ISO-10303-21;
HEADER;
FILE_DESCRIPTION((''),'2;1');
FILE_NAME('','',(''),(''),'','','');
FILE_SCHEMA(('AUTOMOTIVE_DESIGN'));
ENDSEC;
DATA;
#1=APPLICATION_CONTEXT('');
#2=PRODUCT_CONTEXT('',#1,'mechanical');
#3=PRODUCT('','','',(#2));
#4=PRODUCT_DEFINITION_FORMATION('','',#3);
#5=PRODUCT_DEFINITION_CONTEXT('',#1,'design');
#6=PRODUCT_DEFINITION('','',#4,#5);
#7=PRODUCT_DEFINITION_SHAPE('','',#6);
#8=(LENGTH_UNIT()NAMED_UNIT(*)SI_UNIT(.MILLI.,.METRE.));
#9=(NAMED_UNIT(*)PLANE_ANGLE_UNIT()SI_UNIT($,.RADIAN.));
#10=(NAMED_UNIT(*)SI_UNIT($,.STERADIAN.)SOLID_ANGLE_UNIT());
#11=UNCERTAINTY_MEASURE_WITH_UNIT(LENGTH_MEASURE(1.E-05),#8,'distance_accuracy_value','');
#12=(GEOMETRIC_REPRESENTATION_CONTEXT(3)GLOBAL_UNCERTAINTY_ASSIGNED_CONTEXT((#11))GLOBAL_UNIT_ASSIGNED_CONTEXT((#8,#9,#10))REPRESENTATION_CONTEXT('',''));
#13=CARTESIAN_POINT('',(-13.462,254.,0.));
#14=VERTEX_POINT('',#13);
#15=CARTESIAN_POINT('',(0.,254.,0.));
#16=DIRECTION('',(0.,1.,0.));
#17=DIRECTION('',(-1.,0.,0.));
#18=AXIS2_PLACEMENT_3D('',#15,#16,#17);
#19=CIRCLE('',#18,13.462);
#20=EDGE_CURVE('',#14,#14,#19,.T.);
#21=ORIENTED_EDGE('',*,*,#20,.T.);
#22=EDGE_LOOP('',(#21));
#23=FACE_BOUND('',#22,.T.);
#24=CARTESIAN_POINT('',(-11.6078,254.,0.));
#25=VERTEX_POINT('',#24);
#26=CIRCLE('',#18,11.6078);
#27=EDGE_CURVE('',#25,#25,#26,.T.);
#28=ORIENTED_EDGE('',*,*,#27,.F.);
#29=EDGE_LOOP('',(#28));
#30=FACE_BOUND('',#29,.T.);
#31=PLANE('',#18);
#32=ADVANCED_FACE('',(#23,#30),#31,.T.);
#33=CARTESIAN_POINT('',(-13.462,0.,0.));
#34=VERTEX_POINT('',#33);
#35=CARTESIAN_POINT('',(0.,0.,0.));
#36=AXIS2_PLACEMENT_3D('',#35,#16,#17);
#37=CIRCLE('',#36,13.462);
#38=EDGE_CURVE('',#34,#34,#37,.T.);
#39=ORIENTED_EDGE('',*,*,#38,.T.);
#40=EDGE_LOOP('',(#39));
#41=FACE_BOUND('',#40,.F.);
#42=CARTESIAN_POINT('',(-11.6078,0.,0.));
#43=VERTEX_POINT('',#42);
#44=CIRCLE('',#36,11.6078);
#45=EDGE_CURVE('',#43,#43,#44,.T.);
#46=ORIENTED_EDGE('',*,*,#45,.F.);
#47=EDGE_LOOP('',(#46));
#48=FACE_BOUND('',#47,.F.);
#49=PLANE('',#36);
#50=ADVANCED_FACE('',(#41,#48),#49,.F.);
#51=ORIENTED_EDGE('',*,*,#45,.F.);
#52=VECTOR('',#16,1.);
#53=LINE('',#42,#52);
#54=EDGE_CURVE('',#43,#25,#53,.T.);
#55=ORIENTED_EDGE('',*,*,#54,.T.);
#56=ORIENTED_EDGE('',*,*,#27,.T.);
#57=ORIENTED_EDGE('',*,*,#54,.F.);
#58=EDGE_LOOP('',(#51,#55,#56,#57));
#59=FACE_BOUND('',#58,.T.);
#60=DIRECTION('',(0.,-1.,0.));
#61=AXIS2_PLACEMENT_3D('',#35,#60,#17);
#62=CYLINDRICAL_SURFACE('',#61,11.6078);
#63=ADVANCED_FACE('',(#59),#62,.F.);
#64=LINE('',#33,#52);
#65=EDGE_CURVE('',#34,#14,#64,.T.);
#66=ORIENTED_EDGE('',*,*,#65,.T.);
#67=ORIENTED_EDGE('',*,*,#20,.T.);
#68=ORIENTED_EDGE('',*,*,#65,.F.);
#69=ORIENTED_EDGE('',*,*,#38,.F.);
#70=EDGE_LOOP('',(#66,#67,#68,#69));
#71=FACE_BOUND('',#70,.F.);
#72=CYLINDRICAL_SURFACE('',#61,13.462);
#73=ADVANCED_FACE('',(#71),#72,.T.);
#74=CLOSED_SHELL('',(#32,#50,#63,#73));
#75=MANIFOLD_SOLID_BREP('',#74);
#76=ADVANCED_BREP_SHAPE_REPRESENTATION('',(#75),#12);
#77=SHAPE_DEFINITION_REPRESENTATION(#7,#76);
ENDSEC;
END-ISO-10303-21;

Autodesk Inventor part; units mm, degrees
ref_plane "YZ Plane" through (0, 0, 0) normal (1, 0, 0) x (0, 1, 0)
ref_plane "XZ Plane" through (0, 0, 0) normal (0, 1, 0) x (-1, 0, 0)
ref_plane "XY Plane" through (0, 0, 0) normal (0, 0, 1) x (1, 0, 0)
sketch "Sketch1" plane through (0, 0, 0) normal (0, 1, 0) x (-1, 0, 0)
  circle A0 centre (0, 0) radius 13.462
  circle A1 centre (0, 0) radius 11.6078
  dimension "d0" = 26.924
  dimension "d1" = 23.2156
extrude "Extrusion2" add sketch "Sketch1" along normal blind 254
properties part number "Rocket_MK_II_housing"
